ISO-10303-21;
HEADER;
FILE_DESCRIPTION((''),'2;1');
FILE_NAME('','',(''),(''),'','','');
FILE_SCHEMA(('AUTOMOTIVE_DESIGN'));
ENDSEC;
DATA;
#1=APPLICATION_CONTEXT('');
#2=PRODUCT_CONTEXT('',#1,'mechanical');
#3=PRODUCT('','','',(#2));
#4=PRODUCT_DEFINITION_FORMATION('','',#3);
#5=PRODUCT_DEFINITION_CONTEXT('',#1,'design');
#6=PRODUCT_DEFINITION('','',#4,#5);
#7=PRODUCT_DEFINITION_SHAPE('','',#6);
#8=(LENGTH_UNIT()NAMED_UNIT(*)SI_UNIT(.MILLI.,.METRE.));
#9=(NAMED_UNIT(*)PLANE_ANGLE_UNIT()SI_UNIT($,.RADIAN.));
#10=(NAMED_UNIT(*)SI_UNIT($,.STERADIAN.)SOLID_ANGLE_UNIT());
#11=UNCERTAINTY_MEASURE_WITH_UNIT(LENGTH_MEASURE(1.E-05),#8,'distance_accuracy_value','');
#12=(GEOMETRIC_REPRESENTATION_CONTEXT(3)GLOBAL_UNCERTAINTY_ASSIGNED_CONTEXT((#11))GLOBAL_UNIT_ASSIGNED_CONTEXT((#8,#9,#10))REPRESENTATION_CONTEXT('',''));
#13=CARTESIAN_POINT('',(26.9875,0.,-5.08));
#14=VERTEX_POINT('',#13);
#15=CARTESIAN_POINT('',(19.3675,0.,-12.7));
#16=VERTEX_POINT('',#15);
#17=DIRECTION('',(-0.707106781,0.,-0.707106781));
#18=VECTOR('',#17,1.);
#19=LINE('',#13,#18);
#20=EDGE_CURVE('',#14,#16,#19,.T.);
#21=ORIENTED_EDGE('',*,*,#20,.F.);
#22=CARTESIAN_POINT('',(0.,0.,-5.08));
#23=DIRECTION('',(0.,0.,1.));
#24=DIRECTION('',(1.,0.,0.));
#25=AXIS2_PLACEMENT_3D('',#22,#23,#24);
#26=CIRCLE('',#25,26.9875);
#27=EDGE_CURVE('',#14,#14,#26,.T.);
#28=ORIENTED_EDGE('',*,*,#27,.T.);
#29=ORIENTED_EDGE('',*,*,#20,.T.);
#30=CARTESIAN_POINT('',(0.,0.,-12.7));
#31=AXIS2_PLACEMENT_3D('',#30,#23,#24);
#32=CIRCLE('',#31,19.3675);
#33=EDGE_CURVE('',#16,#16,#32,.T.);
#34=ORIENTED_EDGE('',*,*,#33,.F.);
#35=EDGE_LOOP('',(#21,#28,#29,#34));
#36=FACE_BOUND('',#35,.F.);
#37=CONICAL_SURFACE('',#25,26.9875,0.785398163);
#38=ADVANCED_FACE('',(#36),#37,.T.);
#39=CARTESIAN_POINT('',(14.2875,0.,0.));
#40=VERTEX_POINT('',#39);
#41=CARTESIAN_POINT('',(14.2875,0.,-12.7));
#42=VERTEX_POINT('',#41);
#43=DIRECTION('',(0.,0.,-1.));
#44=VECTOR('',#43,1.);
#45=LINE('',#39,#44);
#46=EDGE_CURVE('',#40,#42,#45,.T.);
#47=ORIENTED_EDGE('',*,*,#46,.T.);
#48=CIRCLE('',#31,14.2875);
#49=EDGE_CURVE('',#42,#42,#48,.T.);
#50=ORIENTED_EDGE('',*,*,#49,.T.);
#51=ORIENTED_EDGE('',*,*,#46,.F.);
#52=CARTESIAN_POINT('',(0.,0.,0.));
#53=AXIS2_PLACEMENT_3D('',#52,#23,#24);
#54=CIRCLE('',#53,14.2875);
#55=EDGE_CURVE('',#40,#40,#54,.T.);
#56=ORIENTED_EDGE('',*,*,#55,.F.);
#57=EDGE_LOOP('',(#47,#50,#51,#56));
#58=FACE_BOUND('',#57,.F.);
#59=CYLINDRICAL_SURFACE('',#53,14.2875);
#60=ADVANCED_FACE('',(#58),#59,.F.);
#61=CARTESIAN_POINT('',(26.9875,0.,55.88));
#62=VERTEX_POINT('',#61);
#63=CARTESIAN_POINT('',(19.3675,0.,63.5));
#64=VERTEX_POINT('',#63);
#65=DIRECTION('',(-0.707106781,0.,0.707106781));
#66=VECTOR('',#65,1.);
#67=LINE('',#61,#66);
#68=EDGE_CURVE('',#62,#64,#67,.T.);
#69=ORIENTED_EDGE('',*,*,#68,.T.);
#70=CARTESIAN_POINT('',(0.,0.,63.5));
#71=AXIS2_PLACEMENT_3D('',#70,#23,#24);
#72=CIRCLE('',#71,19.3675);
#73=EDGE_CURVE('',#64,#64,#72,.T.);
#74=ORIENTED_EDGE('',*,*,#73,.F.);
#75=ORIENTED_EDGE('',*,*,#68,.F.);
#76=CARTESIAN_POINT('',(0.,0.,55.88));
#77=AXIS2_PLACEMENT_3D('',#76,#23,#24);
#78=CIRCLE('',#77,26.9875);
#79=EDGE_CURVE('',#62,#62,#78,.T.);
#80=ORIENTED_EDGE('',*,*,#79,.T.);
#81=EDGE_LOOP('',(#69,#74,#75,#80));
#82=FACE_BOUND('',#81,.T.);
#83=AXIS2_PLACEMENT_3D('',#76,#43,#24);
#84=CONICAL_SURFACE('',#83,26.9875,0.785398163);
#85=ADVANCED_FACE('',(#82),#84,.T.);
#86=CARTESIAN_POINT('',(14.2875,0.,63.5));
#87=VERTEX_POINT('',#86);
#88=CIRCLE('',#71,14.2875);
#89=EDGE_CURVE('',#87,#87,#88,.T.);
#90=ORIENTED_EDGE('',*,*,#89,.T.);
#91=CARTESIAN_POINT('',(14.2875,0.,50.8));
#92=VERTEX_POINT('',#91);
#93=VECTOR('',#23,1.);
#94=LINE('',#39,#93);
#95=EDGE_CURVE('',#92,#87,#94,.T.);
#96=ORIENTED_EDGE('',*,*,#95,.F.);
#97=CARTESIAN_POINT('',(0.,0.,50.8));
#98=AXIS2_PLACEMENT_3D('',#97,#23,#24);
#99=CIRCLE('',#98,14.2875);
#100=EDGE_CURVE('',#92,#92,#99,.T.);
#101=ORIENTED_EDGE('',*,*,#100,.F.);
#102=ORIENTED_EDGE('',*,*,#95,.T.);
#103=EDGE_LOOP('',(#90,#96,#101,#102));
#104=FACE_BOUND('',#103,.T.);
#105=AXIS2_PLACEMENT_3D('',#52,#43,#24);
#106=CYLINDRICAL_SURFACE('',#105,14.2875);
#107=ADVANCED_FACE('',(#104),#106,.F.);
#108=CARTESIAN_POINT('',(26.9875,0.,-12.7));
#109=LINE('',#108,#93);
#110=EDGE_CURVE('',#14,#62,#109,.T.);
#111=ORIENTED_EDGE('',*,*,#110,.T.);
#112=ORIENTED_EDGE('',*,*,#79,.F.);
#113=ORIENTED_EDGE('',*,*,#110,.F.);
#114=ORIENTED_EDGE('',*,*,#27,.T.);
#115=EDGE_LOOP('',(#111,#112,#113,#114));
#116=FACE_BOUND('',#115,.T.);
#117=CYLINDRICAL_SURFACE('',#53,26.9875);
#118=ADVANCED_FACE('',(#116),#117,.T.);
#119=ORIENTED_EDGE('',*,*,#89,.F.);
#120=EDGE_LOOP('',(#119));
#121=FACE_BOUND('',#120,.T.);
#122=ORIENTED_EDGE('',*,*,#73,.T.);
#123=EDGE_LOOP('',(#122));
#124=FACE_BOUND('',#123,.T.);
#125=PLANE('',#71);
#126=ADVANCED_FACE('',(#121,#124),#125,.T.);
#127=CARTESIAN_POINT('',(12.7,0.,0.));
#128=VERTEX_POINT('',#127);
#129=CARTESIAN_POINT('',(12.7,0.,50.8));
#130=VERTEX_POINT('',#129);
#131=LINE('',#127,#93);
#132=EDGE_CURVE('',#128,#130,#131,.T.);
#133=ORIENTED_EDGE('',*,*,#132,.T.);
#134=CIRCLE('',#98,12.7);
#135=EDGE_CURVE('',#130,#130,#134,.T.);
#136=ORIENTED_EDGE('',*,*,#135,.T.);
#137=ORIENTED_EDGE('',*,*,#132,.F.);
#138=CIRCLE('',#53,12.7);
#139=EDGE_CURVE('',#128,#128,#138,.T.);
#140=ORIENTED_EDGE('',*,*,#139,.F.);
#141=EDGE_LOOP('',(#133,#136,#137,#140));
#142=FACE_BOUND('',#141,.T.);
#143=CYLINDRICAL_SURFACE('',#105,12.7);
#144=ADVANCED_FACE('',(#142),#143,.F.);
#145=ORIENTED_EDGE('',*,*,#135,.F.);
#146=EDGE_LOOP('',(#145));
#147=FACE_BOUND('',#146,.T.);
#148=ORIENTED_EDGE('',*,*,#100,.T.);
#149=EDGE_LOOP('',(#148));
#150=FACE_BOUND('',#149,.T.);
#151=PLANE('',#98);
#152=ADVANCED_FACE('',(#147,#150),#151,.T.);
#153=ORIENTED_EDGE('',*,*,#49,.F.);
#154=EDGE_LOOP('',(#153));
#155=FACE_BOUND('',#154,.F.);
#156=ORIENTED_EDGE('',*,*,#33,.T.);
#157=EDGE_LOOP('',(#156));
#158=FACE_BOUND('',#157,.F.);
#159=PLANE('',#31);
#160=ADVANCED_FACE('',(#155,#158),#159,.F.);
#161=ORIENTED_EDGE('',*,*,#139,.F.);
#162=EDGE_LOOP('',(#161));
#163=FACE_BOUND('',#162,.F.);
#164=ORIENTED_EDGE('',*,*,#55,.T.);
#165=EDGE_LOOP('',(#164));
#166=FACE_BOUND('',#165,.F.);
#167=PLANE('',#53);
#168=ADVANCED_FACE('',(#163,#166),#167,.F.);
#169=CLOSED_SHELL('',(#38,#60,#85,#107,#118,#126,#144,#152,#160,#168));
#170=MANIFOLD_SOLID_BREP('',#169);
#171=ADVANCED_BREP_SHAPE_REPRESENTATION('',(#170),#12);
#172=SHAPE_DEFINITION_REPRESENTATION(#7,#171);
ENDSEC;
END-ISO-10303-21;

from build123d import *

# Parameters (mm, degrees)
F0_R          = 14.2875
F0_R_2        = 12.7
F2_DEPTH      = 50.8
F3_R          = 26.9875
F3_R_2        = 14.2875
F4_DEPTH      = 63.5
F4_DEPTH_BACK = 12.7
F5_SIZE       = 7.62


with BuildPart() as f2:
    # F0 (on Top) → F2 (new body)
    with BuildSketch(Plane.XY):
        Circle(F0_R)
        Circle(F0_R_2, mode=Mode.SUBTRACT)
    extrude(amount=F2_DEPTH)

    # F3 (on face) → F4 (join, two sides)
    with BuildSketch(Plane.XY) as f4_sk:
        Circle(F3_R)
        Circle(F3_R_2, mode=Mode.SUBTRACT)
    extrude(amount=F4_DEPTH)
    extrude(f4_sk.sketch, amount=-F4_DEPTH_BACK)

    # F5
    f5_edges = [f2.edges().sort_by_distance(p)[0] for p in [
        (-26.9875, 0, 63.5),
        (-26.9875, 0, -12.7),
    ]]
    chamfer(f5_edges, length=F5_SIZE)


solid = f2.part
